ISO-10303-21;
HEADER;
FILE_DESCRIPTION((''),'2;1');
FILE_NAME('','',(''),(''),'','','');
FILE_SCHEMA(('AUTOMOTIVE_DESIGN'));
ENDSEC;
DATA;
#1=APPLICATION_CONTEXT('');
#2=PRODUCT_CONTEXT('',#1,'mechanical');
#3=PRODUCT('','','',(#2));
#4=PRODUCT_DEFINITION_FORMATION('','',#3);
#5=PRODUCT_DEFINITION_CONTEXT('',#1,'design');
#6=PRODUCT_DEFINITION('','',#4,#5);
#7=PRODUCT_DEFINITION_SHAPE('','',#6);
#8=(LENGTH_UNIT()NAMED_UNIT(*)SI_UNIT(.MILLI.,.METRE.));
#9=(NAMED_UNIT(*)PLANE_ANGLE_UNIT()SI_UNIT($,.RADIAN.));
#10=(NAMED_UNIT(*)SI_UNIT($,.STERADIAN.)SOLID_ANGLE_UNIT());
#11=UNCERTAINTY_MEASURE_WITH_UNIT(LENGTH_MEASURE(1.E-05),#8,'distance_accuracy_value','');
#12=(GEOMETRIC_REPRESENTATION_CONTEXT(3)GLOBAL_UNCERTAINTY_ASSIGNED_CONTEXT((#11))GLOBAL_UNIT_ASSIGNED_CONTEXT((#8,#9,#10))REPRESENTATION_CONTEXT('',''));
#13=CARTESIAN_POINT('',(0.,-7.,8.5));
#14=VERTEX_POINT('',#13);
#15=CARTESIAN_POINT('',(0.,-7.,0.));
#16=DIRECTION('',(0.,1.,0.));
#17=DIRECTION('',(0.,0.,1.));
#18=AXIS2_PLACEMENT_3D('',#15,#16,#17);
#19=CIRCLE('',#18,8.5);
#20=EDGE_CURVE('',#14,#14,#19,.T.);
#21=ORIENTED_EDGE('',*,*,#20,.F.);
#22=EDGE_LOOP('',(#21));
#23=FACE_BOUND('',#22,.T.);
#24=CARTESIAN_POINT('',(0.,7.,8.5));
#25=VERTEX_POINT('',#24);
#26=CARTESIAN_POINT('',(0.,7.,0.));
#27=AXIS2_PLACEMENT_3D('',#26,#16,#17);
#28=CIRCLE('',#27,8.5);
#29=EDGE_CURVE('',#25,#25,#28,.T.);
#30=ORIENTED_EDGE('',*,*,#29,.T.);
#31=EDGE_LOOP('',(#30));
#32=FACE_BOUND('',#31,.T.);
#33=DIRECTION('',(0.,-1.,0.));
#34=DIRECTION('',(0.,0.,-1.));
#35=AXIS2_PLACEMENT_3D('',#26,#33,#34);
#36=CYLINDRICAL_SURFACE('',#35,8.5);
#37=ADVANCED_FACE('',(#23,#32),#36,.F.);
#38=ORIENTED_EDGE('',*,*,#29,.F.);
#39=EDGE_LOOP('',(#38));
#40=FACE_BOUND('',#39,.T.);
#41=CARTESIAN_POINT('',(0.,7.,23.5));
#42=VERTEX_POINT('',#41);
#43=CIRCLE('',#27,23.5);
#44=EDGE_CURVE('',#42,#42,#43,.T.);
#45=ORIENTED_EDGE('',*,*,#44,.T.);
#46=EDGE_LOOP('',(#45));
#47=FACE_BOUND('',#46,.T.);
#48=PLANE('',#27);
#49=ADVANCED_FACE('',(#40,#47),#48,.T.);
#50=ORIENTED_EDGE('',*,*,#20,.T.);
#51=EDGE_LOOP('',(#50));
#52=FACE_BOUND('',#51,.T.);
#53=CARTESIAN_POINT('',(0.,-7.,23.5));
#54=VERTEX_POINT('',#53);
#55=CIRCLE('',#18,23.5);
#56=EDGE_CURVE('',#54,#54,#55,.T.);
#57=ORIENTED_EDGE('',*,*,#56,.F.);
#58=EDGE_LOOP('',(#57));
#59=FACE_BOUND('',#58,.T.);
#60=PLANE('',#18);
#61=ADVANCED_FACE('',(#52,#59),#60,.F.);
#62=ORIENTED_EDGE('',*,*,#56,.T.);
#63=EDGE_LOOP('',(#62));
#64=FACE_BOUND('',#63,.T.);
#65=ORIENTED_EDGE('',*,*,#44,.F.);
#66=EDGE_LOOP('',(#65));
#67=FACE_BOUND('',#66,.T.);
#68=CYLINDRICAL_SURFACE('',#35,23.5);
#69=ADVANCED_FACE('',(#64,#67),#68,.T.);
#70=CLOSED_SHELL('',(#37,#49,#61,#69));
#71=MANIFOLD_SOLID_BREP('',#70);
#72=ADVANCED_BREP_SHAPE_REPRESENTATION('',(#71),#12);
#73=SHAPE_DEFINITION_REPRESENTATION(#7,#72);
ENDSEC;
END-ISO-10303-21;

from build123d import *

# Parameters (mm, degrees)
SKETCH1_R           = 23.5
SKETCH1_R_2         = 8.5
BOSS_EXTRUDE1_DEPTH = 7


with BuildPart() as part:
    # Sketch1 → Boss-Extrude1 (new body, symmetric)
    with BuildSketch(Plane(origin=(0, 0, 0), x_dir=(1, 0, 0), z_dir=(0, 1, 0))):
        Circle(SKETCH1_R)
        Circle(SKETCH1_R_2, mode=Mode.SUBTRACT)
    extrude(amount=BOSS_EXTRUDE1_DEPTH, both=True)


solid = part.part
